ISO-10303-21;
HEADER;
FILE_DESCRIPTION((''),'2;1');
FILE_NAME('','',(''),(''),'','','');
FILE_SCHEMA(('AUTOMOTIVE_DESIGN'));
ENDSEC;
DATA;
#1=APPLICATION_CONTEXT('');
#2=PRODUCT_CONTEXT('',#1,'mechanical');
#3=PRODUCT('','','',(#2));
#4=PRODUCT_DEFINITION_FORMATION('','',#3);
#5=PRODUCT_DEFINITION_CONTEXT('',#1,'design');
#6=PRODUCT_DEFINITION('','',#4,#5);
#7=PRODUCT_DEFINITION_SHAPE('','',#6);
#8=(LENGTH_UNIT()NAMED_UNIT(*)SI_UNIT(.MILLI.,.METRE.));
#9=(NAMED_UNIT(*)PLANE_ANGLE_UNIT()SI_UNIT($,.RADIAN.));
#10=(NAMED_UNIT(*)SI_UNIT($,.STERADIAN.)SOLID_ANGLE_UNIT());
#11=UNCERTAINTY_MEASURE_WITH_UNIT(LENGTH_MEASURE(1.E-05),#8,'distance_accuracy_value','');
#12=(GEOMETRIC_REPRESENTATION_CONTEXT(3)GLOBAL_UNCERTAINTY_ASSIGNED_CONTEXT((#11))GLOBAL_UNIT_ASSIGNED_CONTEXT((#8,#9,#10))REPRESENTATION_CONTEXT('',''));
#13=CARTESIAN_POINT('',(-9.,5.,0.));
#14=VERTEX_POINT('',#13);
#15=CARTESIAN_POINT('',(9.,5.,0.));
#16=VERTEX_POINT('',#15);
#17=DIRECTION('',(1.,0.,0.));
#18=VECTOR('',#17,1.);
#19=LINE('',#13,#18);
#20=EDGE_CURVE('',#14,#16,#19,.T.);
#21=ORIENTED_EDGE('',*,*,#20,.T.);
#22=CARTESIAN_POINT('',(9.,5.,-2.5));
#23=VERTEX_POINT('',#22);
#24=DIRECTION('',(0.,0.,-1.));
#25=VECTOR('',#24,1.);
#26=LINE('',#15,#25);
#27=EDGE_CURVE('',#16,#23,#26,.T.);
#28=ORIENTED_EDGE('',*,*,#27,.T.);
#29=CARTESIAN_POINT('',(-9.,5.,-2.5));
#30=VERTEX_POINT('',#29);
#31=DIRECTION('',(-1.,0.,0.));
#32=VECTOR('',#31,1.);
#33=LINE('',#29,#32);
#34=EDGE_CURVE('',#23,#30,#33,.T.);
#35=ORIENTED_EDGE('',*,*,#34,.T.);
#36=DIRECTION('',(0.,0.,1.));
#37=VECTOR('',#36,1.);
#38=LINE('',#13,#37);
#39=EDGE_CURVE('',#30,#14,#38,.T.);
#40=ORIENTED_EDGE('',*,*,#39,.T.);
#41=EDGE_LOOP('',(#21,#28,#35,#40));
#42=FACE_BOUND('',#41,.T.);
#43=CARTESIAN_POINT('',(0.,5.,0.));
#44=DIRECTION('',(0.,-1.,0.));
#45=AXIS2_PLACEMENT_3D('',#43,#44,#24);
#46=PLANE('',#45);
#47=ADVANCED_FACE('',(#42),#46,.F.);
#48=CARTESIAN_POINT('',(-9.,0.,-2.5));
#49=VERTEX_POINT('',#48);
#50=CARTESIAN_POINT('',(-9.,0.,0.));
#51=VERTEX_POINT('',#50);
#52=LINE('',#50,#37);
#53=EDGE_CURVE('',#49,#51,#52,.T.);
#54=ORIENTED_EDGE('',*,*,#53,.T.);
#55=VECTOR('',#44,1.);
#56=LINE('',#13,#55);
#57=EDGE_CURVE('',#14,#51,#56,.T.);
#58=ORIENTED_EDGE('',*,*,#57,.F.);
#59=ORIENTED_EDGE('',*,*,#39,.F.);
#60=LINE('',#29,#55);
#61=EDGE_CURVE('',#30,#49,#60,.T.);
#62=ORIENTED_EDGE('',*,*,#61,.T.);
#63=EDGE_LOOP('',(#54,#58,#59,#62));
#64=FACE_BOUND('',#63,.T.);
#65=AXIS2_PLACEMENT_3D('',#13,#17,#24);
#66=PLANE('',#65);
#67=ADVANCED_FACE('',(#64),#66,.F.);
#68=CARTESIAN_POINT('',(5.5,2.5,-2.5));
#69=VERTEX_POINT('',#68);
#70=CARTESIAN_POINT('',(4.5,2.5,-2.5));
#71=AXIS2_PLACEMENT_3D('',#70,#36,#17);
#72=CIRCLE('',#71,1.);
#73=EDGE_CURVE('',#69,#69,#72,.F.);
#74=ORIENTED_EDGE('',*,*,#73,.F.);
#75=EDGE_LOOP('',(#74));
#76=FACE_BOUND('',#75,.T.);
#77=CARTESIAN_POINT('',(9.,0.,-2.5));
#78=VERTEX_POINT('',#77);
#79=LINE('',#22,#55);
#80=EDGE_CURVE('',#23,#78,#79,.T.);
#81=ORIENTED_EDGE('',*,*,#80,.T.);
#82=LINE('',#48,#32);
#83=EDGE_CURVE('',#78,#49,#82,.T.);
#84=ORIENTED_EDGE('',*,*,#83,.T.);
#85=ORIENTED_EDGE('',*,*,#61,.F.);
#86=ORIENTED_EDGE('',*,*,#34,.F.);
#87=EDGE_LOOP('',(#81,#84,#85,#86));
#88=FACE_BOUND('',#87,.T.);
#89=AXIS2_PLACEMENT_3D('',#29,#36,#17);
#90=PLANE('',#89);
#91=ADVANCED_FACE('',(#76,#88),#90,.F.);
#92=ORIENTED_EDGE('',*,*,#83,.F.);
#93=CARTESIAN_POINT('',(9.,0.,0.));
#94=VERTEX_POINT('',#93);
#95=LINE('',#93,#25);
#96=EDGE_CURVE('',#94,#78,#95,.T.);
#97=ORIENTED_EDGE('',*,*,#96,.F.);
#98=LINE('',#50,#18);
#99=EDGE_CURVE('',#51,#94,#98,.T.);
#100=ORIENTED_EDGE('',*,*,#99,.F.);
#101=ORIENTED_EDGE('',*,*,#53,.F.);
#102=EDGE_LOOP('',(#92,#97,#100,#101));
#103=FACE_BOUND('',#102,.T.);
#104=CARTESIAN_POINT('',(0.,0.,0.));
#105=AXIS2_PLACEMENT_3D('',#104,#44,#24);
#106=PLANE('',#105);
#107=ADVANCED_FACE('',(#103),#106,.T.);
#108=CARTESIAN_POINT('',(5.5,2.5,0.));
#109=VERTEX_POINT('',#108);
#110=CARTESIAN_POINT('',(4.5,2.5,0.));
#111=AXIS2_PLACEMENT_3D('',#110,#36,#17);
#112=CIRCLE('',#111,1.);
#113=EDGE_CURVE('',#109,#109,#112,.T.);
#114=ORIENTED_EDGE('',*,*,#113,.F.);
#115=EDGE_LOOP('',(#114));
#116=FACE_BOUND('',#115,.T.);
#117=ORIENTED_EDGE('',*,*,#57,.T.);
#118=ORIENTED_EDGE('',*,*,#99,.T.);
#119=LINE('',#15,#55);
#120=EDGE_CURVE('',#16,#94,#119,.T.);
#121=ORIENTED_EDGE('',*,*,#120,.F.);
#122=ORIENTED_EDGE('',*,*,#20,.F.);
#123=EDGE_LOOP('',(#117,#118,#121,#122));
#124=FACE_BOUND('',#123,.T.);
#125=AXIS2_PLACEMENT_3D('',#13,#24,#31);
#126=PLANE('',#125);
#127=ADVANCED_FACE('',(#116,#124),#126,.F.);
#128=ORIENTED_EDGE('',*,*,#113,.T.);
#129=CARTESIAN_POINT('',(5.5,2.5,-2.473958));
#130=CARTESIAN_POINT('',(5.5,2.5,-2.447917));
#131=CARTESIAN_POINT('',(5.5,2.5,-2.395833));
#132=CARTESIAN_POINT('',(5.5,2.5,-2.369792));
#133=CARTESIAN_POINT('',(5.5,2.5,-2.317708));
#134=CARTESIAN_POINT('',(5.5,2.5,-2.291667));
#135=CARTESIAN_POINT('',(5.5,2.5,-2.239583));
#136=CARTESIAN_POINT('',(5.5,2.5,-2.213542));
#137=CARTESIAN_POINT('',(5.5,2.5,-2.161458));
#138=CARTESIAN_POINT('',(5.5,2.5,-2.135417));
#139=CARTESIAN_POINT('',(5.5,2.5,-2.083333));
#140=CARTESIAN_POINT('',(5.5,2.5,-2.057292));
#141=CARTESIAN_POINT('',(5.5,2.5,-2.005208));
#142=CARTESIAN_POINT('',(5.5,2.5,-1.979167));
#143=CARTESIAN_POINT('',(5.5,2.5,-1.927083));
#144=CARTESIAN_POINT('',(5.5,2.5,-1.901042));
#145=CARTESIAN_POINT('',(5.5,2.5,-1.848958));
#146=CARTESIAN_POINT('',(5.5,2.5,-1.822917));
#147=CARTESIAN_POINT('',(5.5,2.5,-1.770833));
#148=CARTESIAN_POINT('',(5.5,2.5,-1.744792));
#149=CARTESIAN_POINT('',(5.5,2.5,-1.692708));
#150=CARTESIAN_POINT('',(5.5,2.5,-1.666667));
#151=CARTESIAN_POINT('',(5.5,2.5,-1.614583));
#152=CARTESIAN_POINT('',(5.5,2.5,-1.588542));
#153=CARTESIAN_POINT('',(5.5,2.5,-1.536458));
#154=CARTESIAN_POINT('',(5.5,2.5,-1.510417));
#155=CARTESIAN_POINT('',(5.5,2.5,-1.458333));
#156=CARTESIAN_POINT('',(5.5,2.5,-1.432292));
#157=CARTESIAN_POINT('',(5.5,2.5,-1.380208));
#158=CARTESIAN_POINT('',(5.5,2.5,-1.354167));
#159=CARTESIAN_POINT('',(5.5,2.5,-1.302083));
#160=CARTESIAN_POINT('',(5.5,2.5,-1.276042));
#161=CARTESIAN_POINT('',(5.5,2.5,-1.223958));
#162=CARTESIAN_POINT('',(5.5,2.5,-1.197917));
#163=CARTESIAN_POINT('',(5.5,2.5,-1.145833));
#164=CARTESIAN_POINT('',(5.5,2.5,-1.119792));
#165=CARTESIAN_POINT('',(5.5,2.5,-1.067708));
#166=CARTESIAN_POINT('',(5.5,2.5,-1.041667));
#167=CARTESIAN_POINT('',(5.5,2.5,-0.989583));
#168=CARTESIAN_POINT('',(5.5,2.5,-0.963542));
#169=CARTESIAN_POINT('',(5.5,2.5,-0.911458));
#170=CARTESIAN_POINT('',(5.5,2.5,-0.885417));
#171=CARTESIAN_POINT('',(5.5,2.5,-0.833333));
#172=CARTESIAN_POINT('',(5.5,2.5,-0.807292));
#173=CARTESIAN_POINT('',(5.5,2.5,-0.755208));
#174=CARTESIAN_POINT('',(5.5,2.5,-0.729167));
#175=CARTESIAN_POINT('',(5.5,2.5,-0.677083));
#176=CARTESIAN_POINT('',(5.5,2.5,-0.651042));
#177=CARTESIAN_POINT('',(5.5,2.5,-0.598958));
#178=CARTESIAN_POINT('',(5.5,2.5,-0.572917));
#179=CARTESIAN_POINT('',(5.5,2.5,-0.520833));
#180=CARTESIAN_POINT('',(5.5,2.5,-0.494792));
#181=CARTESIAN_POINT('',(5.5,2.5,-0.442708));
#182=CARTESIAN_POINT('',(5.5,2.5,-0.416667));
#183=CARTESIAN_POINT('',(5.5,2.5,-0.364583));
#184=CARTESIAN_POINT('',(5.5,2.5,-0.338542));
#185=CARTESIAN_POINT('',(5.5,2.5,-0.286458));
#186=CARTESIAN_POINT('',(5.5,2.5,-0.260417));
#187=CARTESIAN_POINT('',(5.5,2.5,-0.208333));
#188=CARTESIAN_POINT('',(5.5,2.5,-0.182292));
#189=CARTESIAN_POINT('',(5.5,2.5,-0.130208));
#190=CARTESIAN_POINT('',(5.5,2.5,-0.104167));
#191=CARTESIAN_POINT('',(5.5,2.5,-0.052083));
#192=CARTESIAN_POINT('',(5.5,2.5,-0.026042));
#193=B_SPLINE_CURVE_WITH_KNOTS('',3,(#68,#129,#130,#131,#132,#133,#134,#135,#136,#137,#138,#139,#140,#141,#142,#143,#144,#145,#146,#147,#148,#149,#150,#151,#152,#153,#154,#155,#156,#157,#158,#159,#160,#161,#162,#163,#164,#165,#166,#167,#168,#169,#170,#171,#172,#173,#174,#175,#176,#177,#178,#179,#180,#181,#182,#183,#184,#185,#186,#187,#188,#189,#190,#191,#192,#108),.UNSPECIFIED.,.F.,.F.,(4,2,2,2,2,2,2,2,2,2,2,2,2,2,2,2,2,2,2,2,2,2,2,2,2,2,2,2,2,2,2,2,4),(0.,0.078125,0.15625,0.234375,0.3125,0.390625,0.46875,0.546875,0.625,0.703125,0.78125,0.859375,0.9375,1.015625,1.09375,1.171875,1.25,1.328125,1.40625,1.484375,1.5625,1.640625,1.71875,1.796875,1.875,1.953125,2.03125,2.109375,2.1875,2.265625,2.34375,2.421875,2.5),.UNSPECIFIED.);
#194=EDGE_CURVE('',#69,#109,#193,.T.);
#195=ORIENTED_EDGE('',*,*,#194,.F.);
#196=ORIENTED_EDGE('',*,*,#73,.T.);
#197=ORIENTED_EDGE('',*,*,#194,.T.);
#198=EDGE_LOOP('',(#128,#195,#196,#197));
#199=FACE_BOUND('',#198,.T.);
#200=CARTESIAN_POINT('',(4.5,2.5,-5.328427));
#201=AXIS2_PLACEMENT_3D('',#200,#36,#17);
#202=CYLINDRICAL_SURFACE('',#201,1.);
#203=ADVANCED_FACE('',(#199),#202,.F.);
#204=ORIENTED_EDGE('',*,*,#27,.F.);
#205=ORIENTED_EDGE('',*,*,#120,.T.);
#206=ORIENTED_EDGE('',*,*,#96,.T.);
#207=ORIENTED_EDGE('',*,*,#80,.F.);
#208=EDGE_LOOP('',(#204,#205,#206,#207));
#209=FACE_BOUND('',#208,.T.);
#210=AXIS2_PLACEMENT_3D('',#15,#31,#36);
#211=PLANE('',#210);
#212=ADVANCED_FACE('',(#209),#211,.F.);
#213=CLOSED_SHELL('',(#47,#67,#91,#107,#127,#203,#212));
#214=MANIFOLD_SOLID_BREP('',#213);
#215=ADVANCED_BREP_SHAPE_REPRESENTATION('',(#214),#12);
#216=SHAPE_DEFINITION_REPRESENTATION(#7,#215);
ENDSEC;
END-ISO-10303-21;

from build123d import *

# Parameters (mm, degrees)
SKETCH1_W           = 18
SKETCH1_H           = 2.5
BOSS_EXTRUDE1_DEPTH = 5
SKETCH2_R           = 1
CUT_EXTRUDE1_DEPTH  = 2.5


with BuildPart() as part:
    # Sketch1 → Boss-Extrude1 (new body)
    with BuildSketch(Plane(origin=(0, 0, 0), x_dir=(1, 0, 0), z_dir=(0, 1, 0))):
        with Locations((0, 1.25)):
            Rectangle(SKETCH1_W, SKETCH1_H)
    extrude(amount=BOSS_EXTRUDE1_DEPTH)

    # Sketch2 → Cut-Extrude1 (cut)
    with BuildSketch(Plane.XY):
        with Locations((4.5, 2.5)):
            Circle(SKETCH2_R)
    extrude(amount=-CUT_EXTRUDE1_DEPTH, mode=Mode.SUBTRACT)


solid = part.part
